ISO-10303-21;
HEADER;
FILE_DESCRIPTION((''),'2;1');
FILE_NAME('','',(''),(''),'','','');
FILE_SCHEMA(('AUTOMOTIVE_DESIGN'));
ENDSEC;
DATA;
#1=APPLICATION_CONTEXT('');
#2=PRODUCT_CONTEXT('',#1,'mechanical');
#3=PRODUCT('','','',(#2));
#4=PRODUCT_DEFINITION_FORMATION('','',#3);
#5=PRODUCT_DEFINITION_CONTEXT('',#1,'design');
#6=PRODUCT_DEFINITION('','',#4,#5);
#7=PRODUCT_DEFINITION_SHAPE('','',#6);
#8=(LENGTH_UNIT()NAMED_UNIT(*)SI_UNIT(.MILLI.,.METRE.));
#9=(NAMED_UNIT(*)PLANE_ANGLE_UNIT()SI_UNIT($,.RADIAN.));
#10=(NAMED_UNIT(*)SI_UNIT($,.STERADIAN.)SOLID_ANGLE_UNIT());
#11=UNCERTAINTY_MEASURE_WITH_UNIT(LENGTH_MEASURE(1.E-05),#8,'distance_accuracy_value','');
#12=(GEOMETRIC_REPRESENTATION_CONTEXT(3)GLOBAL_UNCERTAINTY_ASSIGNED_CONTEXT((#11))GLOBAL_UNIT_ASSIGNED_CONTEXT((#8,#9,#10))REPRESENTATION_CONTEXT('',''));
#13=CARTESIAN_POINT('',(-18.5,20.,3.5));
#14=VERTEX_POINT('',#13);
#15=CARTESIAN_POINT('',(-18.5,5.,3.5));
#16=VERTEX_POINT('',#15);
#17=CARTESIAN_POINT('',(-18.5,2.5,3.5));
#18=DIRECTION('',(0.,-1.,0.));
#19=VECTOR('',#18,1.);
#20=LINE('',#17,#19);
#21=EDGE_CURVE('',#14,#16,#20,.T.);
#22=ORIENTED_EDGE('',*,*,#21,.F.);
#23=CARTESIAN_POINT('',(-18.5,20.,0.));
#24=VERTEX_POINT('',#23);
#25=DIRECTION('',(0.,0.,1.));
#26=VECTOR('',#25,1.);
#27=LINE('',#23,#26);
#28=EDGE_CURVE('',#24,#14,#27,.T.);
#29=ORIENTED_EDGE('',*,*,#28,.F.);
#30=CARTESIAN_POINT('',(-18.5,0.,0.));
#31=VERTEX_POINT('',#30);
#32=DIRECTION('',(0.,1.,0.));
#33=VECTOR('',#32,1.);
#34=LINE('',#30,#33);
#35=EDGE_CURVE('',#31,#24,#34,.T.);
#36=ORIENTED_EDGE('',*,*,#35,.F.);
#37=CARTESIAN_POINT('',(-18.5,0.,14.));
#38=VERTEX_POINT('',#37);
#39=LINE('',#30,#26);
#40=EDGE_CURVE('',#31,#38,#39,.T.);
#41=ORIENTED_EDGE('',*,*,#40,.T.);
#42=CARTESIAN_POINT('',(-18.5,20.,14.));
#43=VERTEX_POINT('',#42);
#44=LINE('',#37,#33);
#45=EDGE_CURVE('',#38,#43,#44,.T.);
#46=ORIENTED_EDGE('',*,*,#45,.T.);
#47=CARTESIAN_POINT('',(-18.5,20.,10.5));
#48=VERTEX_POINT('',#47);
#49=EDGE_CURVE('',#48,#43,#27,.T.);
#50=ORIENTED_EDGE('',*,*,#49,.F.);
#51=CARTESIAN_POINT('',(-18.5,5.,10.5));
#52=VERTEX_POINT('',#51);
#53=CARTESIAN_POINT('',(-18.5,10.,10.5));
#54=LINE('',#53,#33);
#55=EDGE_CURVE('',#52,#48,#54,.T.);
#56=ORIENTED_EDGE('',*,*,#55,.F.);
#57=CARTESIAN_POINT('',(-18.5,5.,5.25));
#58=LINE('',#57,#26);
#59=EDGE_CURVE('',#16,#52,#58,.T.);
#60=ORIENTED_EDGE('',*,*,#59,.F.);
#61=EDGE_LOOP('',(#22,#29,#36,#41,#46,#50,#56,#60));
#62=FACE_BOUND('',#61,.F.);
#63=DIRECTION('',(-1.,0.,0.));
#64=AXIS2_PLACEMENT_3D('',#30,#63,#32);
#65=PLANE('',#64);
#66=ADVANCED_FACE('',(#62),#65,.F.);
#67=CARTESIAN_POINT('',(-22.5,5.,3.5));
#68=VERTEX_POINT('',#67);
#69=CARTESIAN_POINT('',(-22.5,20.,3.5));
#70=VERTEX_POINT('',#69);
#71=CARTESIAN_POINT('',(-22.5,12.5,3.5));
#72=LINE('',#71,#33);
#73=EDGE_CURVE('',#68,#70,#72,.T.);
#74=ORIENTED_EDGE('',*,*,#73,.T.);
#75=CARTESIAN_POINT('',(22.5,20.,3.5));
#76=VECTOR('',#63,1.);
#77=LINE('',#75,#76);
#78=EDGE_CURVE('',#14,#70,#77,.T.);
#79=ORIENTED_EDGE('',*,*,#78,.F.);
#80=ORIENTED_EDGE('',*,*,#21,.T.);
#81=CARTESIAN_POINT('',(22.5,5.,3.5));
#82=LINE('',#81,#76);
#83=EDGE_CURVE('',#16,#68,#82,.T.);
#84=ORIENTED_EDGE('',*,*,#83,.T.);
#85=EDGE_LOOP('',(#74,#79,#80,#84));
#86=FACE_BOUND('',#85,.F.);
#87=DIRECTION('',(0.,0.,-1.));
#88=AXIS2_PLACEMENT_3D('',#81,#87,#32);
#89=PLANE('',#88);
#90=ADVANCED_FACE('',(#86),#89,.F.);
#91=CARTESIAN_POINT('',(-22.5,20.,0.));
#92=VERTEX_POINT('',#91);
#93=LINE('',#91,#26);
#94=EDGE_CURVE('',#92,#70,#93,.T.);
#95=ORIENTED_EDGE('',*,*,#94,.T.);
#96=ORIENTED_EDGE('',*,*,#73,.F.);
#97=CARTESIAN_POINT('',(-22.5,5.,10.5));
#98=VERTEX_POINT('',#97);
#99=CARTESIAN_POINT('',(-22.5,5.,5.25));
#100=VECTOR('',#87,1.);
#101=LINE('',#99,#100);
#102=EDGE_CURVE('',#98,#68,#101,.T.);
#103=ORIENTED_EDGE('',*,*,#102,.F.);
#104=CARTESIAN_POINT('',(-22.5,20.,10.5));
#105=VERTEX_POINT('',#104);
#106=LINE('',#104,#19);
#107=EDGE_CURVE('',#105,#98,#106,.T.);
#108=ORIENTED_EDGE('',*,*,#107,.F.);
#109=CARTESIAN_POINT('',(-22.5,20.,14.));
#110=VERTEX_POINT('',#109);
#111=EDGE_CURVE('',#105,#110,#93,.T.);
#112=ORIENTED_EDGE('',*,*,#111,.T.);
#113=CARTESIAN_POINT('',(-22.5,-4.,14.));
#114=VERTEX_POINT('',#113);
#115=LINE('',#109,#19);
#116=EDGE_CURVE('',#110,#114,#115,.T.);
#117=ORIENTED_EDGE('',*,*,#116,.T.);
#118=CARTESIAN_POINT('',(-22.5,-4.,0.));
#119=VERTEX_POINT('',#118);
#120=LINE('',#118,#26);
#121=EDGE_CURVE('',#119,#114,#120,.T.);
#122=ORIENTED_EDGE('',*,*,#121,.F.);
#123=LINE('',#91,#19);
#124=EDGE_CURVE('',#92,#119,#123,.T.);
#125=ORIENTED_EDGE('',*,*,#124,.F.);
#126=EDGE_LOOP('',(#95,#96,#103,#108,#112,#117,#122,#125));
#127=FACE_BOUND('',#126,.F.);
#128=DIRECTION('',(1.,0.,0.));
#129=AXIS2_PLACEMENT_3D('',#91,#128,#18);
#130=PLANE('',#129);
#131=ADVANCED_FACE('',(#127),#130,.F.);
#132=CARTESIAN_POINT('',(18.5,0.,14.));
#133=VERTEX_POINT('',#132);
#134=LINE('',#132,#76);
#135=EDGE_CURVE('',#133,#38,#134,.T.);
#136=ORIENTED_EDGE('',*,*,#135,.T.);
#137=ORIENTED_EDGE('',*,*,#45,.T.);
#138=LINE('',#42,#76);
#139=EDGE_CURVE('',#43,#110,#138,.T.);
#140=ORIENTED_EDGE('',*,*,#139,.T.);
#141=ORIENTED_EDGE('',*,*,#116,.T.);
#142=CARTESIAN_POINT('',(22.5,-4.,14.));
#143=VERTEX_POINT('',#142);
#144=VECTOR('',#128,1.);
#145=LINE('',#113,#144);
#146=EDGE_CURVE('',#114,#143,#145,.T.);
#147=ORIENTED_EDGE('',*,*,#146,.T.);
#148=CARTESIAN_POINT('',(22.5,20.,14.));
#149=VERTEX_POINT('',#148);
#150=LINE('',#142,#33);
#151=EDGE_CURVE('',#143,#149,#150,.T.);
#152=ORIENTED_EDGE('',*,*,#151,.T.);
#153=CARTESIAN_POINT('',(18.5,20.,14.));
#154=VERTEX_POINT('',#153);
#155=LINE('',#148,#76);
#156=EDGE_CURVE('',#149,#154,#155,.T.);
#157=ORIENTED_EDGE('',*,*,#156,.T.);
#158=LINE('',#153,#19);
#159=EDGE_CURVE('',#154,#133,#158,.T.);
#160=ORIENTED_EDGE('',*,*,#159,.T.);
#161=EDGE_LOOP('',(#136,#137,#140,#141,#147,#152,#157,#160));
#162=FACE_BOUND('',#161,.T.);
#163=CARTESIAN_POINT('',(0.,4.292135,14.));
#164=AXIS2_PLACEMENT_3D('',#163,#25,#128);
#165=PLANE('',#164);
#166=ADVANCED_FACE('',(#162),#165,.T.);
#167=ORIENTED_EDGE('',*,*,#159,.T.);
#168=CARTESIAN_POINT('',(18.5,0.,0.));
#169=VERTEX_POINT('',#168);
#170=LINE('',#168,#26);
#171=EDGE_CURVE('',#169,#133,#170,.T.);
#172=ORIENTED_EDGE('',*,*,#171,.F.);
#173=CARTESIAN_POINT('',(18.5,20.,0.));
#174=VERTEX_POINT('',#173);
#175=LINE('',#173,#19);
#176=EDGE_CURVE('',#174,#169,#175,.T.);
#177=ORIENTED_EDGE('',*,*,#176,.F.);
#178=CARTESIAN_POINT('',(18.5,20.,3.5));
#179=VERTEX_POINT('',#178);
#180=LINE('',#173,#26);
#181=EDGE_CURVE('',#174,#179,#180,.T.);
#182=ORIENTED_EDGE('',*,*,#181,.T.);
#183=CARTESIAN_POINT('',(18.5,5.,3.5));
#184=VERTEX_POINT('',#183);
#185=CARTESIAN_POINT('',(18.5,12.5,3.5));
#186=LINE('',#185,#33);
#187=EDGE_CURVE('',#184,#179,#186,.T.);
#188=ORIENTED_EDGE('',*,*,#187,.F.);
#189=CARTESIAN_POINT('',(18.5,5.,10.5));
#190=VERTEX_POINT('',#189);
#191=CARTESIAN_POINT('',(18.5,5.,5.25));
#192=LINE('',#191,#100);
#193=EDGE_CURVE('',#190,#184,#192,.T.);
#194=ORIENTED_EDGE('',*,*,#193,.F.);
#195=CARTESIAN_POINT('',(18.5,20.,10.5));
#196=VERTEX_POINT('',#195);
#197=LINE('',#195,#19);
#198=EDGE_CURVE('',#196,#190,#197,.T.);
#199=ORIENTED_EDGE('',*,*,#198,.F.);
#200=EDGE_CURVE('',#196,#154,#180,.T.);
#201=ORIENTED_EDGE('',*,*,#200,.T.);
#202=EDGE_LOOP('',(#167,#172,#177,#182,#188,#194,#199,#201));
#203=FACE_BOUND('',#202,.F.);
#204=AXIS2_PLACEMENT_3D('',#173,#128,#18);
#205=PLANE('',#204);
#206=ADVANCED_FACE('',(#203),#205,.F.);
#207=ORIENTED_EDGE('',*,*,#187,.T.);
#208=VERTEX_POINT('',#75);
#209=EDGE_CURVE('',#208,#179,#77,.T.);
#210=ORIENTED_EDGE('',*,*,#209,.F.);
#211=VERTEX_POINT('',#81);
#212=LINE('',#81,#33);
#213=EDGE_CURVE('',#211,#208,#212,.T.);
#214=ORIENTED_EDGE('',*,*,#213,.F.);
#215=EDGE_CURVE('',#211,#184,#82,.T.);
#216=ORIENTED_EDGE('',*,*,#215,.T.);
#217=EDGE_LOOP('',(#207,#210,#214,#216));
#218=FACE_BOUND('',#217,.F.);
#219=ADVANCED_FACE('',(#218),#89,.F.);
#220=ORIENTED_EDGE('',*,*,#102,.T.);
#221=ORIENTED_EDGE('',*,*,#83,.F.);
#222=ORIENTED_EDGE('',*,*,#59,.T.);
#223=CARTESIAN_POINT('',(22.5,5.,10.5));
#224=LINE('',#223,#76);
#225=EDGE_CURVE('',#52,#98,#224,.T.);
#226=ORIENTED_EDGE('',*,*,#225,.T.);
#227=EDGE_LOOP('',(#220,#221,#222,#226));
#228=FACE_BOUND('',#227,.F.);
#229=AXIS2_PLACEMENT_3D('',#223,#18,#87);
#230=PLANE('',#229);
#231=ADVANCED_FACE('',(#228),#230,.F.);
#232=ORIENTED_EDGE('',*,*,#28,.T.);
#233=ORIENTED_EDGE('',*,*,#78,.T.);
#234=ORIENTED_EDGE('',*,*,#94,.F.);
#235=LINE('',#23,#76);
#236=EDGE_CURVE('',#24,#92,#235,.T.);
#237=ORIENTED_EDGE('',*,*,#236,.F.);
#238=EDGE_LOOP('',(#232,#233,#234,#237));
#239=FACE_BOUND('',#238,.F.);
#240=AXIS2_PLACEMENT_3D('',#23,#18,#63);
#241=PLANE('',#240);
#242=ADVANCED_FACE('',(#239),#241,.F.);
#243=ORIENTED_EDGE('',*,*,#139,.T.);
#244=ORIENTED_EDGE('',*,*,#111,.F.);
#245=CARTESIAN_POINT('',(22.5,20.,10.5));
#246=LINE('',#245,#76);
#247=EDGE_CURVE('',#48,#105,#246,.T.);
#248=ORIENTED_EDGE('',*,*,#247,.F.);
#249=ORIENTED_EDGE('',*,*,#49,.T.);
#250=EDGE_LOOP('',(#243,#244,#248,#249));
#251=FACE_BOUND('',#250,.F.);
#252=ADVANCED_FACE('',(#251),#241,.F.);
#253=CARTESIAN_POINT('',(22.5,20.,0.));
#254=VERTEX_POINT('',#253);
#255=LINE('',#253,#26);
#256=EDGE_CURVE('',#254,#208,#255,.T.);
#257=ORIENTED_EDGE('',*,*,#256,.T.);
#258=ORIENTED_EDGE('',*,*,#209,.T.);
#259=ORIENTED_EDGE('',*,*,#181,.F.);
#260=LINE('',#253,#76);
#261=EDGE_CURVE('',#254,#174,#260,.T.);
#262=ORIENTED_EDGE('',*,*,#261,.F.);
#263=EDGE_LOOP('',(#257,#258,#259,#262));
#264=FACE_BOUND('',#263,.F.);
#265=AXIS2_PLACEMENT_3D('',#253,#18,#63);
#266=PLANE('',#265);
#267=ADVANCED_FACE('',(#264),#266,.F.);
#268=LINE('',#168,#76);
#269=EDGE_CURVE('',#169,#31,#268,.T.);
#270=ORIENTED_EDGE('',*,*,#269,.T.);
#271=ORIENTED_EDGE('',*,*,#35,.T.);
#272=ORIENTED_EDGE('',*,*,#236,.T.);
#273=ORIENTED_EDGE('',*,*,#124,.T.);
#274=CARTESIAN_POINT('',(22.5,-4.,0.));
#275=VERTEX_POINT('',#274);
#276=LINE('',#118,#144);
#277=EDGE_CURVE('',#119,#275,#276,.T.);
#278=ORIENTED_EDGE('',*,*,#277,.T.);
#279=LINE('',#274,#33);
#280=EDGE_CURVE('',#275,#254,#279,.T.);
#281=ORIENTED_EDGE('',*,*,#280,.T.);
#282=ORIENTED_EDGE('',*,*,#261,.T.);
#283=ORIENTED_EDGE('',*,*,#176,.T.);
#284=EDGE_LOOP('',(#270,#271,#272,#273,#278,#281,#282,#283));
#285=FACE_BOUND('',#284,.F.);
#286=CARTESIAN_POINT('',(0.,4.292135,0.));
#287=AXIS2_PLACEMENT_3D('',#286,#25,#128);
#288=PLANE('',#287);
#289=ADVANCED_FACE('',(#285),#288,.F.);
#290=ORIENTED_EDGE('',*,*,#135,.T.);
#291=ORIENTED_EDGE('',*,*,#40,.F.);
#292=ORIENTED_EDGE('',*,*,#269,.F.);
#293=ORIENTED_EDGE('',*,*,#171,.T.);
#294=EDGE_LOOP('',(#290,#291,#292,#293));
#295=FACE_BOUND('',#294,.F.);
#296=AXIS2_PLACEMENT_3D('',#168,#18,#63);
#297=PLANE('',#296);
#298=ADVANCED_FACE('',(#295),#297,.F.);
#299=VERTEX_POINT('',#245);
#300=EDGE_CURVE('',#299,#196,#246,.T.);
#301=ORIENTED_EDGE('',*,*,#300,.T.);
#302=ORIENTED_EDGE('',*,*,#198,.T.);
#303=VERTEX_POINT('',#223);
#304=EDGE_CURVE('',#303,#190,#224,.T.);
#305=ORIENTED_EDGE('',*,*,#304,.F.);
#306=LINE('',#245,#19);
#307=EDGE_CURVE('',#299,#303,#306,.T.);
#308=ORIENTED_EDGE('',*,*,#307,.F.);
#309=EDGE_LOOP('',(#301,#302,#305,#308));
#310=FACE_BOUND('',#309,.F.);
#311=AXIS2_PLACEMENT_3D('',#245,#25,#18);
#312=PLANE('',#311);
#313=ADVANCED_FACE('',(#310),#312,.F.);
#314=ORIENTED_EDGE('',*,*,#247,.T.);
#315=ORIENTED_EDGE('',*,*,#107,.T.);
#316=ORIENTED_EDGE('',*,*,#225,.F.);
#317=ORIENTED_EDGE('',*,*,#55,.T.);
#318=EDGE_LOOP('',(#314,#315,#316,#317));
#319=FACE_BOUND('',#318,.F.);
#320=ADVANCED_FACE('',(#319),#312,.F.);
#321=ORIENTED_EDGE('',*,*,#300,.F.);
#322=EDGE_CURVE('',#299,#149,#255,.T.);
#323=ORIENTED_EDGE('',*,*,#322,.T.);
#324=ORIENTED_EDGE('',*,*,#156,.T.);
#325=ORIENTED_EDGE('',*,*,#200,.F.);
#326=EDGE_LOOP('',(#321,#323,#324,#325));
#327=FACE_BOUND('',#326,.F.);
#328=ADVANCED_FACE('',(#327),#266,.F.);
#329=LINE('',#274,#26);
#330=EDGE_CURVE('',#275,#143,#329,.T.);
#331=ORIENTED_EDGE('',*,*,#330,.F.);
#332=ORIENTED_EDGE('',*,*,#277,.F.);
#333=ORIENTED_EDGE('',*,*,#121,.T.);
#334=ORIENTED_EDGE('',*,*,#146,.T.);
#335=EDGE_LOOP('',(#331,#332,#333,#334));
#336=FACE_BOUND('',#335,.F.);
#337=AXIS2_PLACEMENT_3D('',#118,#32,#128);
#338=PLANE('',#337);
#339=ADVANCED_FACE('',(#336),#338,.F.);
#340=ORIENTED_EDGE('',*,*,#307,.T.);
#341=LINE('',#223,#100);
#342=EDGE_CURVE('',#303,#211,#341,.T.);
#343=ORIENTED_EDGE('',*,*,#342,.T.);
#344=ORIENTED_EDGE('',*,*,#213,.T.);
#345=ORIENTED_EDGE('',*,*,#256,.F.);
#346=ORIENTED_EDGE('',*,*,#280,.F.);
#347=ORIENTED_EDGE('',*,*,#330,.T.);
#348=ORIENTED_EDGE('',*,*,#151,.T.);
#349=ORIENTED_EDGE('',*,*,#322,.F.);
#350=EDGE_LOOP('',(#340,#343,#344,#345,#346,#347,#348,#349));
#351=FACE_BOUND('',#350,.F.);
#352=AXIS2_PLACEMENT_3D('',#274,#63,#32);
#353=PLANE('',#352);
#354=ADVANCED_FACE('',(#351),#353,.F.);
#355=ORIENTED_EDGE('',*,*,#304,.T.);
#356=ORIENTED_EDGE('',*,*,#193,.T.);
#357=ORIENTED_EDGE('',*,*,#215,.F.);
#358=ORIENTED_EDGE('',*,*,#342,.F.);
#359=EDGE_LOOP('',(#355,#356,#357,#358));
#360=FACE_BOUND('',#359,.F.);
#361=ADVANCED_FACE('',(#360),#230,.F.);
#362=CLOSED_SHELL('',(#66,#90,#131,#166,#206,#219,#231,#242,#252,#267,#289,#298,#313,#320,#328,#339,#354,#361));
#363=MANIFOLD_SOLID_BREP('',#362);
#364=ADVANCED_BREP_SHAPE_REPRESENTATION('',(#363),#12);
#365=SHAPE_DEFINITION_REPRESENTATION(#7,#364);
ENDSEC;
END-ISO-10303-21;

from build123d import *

# Parameters (mm, degrees)
F1_DEPTH = 14
F3_DEPTH = 100


with BuildPart() as f1:
    # F0 (on Top) → F1 (new body)
    with BuildSketch(Plane.XY):
        Polygon((18.5, 0), (0, 0), (-18.5, 0), (-18.5, 20), (-22.5, 20), (-22.5, -4), (0, -4), (22.5, -4), (22.5, 20), (18.5, 20), align=None)
    extrude(amount=F1_DEPTH)

    # F2 (on face) → F3 (cut)
    with BuildSketch(Plane.YZ.offset(22.5)):
        Polygon((20, 3.5), (20, 7), (20, 10.5), (5, 10.5), (5, 3.5), align=None)
    extrude(amount=-F3_DEPTH, mode=Mode.SUBTRACT)


solid = f1.part
